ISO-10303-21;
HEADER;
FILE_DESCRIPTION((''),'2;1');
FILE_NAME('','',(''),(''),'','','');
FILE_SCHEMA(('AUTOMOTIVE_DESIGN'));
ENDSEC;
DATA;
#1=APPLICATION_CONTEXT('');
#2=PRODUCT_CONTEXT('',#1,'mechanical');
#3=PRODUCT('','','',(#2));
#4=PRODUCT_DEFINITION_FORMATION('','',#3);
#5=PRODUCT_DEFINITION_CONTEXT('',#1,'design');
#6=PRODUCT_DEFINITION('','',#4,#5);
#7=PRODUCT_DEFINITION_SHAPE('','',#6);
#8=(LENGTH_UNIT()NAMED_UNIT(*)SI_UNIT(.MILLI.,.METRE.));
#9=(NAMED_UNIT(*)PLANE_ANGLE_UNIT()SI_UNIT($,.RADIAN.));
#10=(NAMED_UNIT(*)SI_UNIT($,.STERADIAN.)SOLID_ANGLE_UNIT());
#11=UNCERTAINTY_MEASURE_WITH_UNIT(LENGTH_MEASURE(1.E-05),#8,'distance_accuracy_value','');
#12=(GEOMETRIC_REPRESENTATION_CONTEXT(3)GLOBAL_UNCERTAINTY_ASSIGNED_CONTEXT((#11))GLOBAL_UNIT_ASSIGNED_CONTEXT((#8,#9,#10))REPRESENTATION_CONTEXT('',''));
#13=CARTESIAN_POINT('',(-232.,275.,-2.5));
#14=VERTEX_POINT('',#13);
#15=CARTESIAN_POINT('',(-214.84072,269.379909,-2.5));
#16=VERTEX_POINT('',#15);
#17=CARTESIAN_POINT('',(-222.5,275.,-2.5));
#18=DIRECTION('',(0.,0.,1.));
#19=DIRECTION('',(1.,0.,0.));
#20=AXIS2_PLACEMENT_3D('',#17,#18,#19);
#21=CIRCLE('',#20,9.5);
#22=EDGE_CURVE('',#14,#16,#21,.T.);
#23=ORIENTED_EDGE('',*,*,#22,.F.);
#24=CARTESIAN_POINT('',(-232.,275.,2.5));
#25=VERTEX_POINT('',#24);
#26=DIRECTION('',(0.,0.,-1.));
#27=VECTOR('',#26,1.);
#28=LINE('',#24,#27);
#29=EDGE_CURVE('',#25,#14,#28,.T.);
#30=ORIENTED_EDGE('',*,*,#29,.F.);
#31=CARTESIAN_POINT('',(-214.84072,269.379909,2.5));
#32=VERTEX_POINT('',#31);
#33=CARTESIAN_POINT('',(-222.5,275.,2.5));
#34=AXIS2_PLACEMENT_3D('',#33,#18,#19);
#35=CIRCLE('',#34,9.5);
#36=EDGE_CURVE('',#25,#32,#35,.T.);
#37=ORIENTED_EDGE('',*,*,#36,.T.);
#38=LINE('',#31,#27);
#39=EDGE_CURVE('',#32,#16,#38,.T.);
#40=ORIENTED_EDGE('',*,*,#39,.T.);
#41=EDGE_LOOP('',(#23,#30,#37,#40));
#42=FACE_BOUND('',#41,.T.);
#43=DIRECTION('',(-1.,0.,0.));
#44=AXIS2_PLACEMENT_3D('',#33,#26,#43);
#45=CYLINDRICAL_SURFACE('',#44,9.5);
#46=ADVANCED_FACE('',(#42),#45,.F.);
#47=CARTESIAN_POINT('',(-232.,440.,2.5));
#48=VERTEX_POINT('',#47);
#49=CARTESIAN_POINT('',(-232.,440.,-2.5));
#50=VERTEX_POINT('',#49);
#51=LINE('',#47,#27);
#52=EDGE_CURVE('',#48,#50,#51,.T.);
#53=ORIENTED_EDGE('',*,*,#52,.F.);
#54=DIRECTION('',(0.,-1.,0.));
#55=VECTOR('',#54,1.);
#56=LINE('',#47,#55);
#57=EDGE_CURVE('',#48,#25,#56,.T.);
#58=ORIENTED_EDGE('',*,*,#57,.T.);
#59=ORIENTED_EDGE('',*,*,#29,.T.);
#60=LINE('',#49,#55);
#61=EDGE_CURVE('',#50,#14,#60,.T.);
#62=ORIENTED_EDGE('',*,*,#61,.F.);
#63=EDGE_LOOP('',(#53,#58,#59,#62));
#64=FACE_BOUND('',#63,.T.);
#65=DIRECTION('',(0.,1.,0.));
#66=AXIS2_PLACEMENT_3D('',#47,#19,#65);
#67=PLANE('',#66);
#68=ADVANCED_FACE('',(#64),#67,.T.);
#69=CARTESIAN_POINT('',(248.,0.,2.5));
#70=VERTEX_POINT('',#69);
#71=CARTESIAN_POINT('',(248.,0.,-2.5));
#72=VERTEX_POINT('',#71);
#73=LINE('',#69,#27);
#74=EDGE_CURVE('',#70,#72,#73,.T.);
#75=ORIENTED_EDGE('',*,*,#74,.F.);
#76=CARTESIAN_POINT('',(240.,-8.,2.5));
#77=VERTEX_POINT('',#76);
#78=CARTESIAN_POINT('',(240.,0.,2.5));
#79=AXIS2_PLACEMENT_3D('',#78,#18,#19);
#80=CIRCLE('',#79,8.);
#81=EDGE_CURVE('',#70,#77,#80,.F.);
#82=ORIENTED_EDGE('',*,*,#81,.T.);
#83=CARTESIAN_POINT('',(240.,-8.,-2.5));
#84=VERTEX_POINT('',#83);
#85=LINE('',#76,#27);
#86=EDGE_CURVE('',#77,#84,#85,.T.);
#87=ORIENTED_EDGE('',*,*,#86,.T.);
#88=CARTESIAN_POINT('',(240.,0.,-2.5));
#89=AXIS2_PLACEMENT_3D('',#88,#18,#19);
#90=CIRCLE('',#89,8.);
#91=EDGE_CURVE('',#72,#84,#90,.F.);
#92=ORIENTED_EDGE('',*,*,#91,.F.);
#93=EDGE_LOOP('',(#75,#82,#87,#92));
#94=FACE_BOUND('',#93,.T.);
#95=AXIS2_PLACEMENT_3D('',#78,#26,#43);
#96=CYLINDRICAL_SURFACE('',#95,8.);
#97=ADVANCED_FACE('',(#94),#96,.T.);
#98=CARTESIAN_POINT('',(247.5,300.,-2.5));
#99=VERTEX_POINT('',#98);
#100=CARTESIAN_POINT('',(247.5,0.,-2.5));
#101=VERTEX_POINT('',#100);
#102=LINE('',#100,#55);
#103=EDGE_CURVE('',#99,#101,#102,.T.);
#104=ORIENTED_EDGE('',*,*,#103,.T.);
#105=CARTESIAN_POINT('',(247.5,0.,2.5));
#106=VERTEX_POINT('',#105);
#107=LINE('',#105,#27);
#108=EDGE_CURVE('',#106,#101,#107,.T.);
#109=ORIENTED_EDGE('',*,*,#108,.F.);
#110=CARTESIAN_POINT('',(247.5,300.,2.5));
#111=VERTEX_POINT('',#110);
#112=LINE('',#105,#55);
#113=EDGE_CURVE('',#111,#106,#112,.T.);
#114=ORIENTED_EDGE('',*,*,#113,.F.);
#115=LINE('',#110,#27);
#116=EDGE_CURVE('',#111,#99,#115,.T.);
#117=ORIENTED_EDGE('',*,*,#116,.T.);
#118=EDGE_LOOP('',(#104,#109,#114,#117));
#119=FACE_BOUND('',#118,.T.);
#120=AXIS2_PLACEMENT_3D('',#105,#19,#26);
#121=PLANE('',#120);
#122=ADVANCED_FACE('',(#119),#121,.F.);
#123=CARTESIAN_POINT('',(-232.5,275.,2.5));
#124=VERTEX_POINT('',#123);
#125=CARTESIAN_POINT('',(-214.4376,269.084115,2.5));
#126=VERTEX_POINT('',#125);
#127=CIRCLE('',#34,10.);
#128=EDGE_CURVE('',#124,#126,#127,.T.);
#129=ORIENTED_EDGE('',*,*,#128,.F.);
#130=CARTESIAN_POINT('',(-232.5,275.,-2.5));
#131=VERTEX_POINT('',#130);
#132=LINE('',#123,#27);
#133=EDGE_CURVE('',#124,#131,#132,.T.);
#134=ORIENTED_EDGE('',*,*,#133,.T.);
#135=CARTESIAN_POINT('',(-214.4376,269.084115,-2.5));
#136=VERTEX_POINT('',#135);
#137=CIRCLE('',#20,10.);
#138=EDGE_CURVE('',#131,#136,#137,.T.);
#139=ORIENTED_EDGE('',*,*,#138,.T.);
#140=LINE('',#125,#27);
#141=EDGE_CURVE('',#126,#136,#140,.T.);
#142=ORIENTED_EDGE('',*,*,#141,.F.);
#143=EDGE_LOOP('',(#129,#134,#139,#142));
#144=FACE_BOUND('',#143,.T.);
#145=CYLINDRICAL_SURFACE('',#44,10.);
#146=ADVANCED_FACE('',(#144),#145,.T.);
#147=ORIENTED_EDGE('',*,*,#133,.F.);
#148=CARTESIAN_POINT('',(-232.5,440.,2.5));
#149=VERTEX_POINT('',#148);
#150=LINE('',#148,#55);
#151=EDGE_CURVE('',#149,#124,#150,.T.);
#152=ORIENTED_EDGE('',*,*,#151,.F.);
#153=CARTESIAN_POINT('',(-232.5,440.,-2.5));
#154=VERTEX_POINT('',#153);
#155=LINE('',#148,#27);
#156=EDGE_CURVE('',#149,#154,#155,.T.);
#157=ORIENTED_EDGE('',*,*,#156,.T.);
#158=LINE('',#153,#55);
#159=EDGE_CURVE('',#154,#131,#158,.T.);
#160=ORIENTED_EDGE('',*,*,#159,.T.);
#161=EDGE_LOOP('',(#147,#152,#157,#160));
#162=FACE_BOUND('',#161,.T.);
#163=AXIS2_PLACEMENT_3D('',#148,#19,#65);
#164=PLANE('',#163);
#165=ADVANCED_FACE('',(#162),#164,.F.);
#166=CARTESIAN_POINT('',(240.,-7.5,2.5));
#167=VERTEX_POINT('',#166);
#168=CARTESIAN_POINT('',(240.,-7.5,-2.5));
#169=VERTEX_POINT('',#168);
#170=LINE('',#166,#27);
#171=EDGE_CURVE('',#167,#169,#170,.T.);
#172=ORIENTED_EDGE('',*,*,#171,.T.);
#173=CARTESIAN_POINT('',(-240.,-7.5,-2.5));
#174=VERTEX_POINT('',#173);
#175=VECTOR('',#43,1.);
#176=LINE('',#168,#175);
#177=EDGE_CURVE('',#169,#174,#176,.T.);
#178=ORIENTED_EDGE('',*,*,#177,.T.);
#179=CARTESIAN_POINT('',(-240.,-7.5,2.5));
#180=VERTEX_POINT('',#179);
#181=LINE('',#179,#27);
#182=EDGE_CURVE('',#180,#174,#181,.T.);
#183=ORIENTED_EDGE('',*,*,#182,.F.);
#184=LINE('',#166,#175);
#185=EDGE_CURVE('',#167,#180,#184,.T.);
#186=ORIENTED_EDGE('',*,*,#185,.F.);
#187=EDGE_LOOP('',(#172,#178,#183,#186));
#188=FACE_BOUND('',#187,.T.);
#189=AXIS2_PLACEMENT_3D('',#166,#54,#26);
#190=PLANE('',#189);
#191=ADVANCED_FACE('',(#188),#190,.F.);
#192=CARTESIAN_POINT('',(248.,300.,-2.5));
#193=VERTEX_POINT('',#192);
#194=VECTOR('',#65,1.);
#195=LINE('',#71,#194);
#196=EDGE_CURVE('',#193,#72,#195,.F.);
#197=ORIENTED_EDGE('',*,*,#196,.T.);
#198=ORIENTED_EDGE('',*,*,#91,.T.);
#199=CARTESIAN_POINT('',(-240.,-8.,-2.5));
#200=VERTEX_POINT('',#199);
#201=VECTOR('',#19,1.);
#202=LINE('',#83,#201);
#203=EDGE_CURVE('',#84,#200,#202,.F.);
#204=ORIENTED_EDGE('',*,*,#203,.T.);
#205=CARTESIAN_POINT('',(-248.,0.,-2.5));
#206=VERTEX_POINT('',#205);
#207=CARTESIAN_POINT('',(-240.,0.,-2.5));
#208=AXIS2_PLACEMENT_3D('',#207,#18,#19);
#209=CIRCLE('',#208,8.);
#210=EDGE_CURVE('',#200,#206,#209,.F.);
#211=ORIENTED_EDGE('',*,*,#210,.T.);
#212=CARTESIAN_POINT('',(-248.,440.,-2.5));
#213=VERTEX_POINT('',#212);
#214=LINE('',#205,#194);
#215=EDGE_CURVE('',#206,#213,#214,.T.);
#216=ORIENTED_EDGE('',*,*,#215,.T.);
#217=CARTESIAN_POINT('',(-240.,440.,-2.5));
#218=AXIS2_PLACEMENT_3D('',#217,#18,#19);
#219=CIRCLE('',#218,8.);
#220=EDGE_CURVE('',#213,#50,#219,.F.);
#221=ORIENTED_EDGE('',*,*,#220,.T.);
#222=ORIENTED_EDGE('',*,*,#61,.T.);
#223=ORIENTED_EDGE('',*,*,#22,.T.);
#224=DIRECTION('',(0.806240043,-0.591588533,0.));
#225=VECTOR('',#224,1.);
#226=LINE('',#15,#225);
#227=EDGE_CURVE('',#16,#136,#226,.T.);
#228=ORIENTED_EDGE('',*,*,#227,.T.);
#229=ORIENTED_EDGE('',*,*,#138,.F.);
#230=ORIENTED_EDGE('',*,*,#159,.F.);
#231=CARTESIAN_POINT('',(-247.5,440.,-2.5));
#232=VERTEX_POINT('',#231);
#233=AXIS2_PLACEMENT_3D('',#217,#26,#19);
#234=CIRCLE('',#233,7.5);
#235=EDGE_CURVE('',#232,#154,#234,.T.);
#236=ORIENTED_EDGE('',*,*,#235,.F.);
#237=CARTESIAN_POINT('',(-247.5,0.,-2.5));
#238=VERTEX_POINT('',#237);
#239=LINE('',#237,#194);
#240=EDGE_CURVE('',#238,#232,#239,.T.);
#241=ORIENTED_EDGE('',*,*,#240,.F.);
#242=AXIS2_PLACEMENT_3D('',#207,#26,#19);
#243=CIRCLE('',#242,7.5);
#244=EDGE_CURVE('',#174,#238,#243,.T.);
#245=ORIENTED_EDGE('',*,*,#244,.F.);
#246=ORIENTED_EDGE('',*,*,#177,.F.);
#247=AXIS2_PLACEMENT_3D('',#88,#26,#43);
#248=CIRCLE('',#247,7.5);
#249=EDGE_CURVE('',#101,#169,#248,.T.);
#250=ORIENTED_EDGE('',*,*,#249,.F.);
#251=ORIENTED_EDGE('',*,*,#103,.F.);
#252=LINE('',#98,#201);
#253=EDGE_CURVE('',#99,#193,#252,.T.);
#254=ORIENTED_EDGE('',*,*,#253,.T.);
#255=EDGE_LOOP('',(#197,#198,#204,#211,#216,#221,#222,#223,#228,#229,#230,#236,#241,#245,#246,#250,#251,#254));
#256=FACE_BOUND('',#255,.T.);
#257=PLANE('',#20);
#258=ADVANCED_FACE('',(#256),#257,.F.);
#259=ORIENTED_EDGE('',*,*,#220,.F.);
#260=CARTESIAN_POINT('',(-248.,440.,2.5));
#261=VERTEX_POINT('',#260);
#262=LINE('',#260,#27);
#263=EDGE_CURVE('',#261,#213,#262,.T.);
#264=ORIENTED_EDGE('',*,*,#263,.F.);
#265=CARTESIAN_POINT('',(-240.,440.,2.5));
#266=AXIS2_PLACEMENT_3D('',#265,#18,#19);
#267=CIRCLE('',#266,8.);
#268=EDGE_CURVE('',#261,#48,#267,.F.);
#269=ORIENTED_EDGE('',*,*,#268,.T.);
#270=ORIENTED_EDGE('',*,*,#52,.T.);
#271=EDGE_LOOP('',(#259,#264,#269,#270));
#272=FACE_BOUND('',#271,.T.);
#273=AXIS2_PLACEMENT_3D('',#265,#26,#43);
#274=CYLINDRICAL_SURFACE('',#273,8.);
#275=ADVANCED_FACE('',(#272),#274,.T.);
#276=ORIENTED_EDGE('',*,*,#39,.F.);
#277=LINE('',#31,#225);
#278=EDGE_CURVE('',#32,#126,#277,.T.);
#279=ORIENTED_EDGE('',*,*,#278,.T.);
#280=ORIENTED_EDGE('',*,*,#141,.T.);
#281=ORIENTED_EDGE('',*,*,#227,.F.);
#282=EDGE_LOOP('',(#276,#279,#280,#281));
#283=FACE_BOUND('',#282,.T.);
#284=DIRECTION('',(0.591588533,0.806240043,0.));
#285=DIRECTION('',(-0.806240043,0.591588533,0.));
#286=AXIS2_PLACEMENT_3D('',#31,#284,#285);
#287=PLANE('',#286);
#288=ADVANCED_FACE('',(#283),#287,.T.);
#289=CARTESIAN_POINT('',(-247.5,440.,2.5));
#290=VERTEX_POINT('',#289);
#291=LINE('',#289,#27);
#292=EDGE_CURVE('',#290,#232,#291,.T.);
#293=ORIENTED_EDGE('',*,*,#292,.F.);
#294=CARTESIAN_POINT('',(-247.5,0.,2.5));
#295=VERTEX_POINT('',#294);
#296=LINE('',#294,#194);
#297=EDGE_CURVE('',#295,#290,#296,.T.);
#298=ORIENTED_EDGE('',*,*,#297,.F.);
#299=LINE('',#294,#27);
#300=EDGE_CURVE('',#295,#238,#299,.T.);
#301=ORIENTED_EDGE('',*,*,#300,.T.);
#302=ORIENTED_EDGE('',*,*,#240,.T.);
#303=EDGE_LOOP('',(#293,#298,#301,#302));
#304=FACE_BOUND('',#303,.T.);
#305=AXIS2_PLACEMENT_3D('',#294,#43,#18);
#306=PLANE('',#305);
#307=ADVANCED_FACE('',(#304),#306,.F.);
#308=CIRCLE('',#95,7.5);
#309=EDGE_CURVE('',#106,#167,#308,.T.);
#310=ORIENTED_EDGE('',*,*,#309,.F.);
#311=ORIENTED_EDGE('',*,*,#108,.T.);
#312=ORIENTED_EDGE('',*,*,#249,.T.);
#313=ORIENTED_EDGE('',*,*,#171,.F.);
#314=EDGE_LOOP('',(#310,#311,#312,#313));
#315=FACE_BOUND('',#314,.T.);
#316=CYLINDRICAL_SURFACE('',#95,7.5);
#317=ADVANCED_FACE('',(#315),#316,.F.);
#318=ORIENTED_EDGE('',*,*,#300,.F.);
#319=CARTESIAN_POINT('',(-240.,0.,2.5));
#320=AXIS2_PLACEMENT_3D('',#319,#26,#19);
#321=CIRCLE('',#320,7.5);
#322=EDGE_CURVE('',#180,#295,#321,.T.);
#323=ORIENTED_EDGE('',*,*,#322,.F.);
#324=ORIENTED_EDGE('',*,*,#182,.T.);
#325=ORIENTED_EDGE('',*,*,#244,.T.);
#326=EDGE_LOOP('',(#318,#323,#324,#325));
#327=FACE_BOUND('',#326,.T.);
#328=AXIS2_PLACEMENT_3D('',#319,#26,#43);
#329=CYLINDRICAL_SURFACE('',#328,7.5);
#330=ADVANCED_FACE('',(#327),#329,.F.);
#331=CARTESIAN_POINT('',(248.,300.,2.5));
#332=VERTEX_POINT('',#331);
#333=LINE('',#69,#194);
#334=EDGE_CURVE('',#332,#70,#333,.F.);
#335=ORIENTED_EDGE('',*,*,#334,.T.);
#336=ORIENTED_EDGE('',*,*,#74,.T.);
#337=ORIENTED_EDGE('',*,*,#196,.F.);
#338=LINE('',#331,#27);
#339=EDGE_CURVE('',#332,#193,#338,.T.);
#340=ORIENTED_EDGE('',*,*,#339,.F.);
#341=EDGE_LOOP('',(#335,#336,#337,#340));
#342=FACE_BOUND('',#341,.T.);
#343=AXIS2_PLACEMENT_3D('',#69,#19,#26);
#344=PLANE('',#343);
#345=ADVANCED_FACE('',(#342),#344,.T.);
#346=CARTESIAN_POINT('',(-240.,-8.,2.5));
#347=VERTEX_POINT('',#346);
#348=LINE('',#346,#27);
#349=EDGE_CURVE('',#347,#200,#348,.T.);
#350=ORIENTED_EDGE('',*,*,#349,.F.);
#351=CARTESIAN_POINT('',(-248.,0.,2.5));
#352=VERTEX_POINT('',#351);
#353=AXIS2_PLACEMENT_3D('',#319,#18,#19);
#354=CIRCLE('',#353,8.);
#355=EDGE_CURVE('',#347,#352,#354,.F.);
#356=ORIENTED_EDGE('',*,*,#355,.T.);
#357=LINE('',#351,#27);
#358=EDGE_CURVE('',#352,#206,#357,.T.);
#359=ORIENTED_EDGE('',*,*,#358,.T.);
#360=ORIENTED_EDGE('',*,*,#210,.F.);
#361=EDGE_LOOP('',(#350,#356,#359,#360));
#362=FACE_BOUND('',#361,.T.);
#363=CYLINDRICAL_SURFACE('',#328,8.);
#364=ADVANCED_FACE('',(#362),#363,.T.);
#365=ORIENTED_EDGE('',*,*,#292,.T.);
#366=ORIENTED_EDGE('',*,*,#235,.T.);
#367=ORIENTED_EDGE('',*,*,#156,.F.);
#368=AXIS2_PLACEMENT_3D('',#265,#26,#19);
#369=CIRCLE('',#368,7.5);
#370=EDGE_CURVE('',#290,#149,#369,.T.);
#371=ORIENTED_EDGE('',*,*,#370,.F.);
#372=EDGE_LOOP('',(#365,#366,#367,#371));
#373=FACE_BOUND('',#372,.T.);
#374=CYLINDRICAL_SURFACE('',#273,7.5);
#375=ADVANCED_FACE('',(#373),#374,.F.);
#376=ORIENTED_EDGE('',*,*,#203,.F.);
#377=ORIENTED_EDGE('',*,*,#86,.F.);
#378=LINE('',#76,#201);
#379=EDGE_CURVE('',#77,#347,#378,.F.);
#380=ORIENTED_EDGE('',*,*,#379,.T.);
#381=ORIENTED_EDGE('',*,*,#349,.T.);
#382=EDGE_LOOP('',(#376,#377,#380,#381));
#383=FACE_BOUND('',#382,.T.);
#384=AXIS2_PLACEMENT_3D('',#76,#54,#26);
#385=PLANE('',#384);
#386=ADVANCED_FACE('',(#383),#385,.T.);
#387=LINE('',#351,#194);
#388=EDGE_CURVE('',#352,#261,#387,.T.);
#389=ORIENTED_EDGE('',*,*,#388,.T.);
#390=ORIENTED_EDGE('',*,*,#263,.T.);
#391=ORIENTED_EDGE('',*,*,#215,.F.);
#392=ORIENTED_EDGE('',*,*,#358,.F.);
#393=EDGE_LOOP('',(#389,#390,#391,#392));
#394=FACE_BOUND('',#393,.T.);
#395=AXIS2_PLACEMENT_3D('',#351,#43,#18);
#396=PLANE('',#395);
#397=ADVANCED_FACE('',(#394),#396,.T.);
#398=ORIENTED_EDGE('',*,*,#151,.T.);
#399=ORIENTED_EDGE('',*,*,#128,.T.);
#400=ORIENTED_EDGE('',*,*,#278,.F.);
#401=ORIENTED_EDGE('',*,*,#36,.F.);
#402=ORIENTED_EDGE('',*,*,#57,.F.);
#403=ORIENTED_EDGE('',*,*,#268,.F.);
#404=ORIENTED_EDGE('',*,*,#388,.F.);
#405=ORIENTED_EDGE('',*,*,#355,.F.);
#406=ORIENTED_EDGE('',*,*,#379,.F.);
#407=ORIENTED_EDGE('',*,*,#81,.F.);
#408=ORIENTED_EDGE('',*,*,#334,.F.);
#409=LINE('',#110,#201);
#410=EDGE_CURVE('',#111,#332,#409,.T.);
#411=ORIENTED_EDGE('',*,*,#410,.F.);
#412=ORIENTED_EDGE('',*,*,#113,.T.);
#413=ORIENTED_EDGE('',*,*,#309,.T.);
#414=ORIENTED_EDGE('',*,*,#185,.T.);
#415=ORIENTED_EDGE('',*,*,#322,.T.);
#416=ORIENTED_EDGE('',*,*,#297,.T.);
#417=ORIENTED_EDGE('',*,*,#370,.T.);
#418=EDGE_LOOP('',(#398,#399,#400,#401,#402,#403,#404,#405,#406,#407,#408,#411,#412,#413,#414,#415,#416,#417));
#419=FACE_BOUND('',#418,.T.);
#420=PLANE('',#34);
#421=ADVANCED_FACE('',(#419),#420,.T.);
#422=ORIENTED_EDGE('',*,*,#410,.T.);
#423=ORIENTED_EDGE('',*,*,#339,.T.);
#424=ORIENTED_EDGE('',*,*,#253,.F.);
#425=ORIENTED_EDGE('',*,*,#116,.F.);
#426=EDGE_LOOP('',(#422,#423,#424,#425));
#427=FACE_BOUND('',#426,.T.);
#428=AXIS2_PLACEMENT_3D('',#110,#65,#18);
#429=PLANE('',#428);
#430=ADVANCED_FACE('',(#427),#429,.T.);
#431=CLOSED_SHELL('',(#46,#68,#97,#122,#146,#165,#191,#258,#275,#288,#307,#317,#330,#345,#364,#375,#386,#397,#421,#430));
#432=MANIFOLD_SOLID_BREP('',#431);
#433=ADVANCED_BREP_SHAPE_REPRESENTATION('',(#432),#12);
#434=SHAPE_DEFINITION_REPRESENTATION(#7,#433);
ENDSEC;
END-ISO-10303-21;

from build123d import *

# Parameters (mm, degrees)
LINEAR_AUSTRAGEN_D_NN1_DEPTH = 2.5


with BuildPart() as part:
    # Skizze1 → Linear-Austragen-Dünn1 (new, symmetric)
    with BuildSketch(Plane.XY):
        with BuildLine():
            Line((247.5, 300), (247.5, 0))
            ThreePointArc((247.5, 0), (245.303300859, -5.303300859), (240, -7.5))
            Line((240, -7.5), (-240, -7.5))
            ThreePointArc((-240, -7.5), (-245.303300859, -5.303300859), (-247.5, 0))
            Line((-247.5, 0), (-247.5, 440))
            ThreePointArc((-247.5, 440), (-240, 447.5), (-232.5, 440))
            Line((-232.5, 440), (-232.5, 275))
            ThreePointArc((-232.5, 275), (-225.612554872, 265.496737288), (-214.437599567, 269.084114669))
            Line((-214.437599567, 269.084114669), (-214.840719588, 269.379908935))
            ThreePointArc((-214.840719588, 269.379908935), (-225.456927129, 265.971900424), (-232, 275))
            Line((-232, 275), (-232, 440))
            ThreePointArc((-232, 440), (-240, 448), (-248, 440))
            Line((-248, 440), (-248, 0))
            ThreePointArc((-248, 0), (-245.656854249, -5.656854249), (-240, -8))
            Line((-240, -8), (240, -8))
            ThreePointArc((240, -8), (245.656854249, -5.656854249), (248, 0))
            Line((248, 0), (248, 300))
            Line((248, 300), (247.5, 300))
        make_face()
    extrude(amount=LINEAR_AUSTRAGEN_D_NN1_DEPTH, both=True)


solid = part.part
